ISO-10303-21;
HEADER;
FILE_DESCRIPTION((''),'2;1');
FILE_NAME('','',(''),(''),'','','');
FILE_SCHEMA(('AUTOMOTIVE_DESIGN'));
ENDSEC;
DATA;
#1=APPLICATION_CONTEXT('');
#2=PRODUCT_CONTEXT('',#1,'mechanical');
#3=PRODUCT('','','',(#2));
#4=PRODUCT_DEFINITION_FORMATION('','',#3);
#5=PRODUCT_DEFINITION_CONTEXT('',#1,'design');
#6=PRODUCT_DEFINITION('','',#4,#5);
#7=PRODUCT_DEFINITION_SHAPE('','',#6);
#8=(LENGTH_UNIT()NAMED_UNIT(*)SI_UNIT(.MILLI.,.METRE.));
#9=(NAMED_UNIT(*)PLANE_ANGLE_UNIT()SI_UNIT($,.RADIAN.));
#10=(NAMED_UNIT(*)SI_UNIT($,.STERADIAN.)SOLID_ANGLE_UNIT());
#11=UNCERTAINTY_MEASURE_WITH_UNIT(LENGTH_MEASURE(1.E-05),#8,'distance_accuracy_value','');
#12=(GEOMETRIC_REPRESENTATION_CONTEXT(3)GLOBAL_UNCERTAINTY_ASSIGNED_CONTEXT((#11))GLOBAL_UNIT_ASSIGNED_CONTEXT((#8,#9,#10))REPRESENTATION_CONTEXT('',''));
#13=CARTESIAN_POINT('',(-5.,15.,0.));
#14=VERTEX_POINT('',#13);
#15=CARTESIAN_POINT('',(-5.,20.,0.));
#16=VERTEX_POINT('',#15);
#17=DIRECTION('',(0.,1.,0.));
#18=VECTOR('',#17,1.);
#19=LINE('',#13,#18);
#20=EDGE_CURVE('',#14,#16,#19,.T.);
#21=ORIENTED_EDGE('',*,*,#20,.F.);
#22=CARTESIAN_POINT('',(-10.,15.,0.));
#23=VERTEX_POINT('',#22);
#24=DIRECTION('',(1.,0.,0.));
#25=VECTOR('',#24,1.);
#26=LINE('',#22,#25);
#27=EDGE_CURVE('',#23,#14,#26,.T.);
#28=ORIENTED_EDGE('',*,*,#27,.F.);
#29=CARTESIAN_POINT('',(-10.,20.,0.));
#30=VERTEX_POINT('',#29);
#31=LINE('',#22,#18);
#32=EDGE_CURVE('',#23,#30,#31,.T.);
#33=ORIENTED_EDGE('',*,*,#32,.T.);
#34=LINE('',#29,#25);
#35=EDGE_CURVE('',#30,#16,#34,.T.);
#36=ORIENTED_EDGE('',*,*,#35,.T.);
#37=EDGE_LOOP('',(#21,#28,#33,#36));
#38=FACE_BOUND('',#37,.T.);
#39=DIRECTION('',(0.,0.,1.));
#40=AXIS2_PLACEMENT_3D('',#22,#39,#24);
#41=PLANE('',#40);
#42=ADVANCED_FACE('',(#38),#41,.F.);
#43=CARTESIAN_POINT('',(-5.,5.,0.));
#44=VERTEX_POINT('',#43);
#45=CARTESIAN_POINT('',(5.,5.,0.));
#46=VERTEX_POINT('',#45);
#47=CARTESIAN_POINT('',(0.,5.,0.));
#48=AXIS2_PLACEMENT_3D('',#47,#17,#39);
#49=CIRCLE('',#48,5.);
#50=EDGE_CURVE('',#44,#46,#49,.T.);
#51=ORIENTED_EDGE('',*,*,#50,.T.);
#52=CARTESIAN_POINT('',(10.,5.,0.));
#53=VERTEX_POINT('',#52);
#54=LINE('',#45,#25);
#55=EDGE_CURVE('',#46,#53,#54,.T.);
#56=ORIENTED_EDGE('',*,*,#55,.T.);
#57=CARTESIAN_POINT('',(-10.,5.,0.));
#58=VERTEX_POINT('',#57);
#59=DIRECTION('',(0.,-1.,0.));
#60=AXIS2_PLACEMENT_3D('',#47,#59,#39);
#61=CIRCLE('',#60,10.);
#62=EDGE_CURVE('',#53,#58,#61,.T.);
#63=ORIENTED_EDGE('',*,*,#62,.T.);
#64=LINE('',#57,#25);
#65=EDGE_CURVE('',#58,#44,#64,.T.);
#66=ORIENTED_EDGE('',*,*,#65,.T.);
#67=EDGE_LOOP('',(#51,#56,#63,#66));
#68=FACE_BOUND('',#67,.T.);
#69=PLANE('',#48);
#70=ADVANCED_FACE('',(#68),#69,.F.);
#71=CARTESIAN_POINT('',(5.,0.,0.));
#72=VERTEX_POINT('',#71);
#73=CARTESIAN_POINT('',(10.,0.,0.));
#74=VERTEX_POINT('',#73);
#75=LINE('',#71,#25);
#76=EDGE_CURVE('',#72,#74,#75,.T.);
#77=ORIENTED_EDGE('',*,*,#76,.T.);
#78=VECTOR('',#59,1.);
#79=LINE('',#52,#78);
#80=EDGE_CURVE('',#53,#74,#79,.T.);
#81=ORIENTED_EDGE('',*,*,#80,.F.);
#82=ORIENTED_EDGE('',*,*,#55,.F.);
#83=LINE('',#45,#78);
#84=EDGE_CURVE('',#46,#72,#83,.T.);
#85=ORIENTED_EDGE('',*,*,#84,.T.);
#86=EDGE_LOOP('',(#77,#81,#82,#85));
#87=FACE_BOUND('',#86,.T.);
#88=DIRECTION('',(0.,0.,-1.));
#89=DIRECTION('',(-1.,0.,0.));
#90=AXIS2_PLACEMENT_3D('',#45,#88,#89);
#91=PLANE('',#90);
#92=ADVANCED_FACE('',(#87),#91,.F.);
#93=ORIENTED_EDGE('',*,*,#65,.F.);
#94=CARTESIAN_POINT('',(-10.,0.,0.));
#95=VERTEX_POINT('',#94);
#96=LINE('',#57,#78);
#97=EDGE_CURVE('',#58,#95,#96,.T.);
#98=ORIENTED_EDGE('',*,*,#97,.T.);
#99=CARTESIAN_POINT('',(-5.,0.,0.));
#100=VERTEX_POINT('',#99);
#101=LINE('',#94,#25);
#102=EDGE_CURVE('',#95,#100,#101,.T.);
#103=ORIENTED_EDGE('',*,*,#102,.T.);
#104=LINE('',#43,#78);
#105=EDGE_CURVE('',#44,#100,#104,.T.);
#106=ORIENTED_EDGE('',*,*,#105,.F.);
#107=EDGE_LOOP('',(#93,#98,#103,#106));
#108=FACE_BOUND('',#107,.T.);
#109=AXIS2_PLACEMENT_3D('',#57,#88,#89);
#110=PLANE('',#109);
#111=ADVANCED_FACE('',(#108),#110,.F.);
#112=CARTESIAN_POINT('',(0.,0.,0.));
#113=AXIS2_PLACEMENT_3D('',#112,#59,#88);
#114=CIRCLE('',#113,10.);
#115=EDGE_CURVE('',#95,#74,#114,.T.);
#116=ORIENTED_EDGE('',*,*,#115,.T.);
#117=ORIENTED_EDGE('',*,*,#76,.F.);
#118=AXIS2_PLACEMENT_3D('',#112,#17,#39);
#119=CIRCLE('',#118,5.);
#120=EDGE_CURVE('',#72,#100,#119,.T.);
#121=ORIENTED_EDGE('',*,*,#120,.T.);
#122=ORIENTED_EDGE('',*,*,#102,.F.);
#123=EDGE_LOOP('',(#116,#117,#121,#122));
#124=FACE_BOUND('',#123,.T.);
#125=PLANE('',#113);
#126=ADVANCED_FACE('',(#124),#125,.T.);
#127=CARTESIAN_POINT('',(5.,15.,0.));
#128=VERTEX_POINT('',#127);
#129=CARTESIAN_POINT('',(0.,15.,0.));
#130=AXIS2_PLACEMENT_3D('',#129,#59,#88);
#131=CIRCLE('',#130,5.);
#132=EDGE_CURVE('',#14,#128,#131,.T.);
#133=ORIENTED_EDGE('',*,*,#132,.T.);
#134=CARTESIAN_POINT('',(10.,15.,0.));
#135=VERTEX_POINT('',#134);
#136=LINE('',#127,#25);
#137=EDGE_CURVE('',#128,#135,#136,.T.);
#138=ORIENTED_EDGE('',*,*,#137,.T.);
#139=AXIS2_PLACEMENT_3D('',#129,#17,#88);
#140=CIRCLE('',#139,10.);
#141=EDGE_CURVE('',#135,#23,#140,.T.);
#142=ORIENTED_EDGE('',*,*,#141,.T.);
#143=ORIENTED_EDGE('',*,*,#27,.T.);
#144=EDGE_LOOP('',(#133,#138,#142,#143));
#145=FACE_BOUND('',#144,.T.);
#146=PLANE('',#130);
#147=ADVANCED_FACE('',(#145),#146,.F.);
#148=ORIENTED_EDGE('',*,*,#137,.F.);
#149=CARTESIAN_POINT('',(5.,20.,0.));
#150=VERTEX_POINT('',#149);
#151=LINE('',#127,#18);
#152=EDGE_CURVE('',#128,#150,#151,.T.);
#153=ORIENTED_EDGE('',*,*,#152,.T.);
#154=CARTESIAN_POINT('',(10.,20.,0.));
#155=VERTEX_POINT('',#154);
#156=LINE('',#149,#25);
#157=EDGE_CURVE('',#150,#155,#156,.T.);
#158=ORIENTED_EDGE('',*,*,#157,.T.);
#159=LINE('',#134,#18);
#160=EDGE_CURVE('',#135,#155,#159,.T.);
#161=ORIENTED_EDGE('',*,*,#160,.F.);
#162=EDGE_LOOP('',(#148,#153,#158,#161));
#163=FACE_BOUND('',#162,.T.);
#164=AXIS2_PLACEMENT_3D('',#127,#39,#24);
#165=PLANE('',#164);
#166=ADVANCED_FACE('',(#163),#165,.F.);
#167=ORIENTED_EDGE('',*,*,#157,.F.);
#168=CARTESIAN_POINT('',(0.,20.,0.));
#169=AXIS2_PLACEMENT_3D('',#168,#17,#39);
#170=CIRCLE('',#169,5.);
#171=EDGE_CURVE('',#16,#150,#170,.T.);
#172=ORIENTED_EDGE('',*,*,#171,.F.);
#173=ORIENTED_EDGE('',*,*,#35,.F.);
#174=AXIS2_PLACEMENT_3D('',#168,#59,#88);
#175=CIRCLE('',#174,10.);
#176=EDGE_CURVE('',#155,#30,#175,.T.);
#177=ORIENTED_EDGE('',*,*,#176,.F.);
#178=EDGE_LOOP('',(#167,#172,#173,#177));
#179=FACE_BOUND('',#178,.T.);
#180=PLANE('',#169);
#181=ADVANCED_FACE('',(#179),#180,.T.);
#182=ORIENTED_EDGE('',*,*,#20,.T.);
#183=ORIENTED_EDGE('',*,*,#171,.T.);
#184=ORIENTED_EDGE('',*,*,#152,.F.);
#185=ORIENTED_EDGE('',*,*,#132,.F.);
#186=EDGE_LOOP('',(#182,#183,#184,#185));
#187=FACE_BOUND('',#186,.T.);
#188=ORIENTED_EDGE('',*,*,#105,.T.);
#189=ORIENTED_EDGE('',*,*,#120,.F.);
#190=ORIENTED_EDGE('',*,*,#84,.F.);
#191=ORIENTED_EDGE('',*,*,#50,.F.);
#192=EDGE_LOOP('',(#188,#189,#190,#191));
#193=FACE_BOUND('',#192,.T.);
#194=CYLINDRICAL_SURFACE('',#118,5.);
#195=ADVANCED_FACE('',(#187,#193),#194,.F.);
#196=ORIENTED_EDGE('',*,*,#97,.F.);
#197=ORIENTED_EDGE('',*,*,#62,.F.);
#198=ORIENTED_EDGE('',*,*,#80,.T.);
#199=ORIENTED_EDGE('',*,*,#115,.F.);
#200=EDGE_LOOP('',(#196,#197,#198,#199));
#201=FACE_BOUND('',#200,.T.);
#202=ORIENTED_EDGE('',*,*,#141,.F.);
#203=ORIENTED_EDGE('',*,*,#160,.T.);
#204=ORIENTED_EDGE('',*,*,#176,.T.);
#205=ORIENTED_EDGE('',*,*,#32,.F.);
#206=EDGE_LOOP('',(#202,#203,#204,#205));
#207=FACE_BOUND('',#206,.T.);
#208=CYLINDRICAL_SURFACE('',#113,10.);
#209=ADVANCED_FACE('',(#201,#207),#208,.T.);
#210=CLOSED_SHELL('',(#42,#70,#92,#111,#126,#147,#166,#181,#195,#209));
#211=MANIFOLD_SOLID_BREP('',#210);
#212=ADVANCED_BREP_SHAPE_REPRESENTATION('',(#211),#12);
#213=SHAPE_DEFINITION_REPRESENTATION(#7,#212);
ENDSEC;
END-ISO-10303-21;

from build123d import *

# Parameters (mm, degrees)
SKETCH1_W          = 10
SKETCH1_H          = 20
SKETCH2_R          = 5
CUT_EXTRUDE1_DEPTH = 20
CUT_EXTRUDE2_DEPTH = 5
CUT_EXTRUDE3_DEPTH = 5


with BuildPart() as part:
    # Sketch1 → Revolve1 (revolve)
    with BuildSketch(Plane.XY):
        with Locations((5, 10)):
            Rectangle(SKETCH1_W, SKETCH1_H)
    revolve(axis=Axis((0, 0, 0), (0, 1, 0)))

    # Sketch2 → Cut-Extrude1 (cut)
    with BuildSketch(Plane(origin=(0, 20, 0), x_dir=(1, 0, 0), z_dir=(0, 1, 0))):
        Circle(SKETCH2_R)
    extrude(amount=-CUT_EXTRUDE1_DEPTH, mode=Mode.SUBTRACT)

    # Sketch3 → Cut-Extrude2 (cut)
    with BuildSketch(Plane(origin=(0, 20, 0), x_dir=(1, 0, 0), z_dir=(0, 1, 0))):
        with BuildLine():
            Line((-10, 0), (-5, 0))
            ThreePointArc((-5, 0), (0, 5), (5, 0))
            Line((5, 0), (10, 0))
            ThreePointArc((10, 0), (0, 10), (-10, 0))
        make_face()
    extrude(amount=-CUT_EXTRUDE2_DEPTH, mode=Mode.SUBTRACT)

    # Sketch4 → Cut-Extrude3 (cut)
    with BuildSketch(Plane.XZ):
        with BuildLine():
            Line((-10, 0), (-5, 0))
            ThreePointArc((-5, 0), (0, 5), (5, 0))
            Line((5, 0), (10, 0))
            ThreePointArc((10, 0), (0, 10), (-10, 0))
        make_face()
    extrude(amount=-CUT_EXTRUDE3_DEPTH, mode=Mode.SUBTRACT)


solid = part.part
